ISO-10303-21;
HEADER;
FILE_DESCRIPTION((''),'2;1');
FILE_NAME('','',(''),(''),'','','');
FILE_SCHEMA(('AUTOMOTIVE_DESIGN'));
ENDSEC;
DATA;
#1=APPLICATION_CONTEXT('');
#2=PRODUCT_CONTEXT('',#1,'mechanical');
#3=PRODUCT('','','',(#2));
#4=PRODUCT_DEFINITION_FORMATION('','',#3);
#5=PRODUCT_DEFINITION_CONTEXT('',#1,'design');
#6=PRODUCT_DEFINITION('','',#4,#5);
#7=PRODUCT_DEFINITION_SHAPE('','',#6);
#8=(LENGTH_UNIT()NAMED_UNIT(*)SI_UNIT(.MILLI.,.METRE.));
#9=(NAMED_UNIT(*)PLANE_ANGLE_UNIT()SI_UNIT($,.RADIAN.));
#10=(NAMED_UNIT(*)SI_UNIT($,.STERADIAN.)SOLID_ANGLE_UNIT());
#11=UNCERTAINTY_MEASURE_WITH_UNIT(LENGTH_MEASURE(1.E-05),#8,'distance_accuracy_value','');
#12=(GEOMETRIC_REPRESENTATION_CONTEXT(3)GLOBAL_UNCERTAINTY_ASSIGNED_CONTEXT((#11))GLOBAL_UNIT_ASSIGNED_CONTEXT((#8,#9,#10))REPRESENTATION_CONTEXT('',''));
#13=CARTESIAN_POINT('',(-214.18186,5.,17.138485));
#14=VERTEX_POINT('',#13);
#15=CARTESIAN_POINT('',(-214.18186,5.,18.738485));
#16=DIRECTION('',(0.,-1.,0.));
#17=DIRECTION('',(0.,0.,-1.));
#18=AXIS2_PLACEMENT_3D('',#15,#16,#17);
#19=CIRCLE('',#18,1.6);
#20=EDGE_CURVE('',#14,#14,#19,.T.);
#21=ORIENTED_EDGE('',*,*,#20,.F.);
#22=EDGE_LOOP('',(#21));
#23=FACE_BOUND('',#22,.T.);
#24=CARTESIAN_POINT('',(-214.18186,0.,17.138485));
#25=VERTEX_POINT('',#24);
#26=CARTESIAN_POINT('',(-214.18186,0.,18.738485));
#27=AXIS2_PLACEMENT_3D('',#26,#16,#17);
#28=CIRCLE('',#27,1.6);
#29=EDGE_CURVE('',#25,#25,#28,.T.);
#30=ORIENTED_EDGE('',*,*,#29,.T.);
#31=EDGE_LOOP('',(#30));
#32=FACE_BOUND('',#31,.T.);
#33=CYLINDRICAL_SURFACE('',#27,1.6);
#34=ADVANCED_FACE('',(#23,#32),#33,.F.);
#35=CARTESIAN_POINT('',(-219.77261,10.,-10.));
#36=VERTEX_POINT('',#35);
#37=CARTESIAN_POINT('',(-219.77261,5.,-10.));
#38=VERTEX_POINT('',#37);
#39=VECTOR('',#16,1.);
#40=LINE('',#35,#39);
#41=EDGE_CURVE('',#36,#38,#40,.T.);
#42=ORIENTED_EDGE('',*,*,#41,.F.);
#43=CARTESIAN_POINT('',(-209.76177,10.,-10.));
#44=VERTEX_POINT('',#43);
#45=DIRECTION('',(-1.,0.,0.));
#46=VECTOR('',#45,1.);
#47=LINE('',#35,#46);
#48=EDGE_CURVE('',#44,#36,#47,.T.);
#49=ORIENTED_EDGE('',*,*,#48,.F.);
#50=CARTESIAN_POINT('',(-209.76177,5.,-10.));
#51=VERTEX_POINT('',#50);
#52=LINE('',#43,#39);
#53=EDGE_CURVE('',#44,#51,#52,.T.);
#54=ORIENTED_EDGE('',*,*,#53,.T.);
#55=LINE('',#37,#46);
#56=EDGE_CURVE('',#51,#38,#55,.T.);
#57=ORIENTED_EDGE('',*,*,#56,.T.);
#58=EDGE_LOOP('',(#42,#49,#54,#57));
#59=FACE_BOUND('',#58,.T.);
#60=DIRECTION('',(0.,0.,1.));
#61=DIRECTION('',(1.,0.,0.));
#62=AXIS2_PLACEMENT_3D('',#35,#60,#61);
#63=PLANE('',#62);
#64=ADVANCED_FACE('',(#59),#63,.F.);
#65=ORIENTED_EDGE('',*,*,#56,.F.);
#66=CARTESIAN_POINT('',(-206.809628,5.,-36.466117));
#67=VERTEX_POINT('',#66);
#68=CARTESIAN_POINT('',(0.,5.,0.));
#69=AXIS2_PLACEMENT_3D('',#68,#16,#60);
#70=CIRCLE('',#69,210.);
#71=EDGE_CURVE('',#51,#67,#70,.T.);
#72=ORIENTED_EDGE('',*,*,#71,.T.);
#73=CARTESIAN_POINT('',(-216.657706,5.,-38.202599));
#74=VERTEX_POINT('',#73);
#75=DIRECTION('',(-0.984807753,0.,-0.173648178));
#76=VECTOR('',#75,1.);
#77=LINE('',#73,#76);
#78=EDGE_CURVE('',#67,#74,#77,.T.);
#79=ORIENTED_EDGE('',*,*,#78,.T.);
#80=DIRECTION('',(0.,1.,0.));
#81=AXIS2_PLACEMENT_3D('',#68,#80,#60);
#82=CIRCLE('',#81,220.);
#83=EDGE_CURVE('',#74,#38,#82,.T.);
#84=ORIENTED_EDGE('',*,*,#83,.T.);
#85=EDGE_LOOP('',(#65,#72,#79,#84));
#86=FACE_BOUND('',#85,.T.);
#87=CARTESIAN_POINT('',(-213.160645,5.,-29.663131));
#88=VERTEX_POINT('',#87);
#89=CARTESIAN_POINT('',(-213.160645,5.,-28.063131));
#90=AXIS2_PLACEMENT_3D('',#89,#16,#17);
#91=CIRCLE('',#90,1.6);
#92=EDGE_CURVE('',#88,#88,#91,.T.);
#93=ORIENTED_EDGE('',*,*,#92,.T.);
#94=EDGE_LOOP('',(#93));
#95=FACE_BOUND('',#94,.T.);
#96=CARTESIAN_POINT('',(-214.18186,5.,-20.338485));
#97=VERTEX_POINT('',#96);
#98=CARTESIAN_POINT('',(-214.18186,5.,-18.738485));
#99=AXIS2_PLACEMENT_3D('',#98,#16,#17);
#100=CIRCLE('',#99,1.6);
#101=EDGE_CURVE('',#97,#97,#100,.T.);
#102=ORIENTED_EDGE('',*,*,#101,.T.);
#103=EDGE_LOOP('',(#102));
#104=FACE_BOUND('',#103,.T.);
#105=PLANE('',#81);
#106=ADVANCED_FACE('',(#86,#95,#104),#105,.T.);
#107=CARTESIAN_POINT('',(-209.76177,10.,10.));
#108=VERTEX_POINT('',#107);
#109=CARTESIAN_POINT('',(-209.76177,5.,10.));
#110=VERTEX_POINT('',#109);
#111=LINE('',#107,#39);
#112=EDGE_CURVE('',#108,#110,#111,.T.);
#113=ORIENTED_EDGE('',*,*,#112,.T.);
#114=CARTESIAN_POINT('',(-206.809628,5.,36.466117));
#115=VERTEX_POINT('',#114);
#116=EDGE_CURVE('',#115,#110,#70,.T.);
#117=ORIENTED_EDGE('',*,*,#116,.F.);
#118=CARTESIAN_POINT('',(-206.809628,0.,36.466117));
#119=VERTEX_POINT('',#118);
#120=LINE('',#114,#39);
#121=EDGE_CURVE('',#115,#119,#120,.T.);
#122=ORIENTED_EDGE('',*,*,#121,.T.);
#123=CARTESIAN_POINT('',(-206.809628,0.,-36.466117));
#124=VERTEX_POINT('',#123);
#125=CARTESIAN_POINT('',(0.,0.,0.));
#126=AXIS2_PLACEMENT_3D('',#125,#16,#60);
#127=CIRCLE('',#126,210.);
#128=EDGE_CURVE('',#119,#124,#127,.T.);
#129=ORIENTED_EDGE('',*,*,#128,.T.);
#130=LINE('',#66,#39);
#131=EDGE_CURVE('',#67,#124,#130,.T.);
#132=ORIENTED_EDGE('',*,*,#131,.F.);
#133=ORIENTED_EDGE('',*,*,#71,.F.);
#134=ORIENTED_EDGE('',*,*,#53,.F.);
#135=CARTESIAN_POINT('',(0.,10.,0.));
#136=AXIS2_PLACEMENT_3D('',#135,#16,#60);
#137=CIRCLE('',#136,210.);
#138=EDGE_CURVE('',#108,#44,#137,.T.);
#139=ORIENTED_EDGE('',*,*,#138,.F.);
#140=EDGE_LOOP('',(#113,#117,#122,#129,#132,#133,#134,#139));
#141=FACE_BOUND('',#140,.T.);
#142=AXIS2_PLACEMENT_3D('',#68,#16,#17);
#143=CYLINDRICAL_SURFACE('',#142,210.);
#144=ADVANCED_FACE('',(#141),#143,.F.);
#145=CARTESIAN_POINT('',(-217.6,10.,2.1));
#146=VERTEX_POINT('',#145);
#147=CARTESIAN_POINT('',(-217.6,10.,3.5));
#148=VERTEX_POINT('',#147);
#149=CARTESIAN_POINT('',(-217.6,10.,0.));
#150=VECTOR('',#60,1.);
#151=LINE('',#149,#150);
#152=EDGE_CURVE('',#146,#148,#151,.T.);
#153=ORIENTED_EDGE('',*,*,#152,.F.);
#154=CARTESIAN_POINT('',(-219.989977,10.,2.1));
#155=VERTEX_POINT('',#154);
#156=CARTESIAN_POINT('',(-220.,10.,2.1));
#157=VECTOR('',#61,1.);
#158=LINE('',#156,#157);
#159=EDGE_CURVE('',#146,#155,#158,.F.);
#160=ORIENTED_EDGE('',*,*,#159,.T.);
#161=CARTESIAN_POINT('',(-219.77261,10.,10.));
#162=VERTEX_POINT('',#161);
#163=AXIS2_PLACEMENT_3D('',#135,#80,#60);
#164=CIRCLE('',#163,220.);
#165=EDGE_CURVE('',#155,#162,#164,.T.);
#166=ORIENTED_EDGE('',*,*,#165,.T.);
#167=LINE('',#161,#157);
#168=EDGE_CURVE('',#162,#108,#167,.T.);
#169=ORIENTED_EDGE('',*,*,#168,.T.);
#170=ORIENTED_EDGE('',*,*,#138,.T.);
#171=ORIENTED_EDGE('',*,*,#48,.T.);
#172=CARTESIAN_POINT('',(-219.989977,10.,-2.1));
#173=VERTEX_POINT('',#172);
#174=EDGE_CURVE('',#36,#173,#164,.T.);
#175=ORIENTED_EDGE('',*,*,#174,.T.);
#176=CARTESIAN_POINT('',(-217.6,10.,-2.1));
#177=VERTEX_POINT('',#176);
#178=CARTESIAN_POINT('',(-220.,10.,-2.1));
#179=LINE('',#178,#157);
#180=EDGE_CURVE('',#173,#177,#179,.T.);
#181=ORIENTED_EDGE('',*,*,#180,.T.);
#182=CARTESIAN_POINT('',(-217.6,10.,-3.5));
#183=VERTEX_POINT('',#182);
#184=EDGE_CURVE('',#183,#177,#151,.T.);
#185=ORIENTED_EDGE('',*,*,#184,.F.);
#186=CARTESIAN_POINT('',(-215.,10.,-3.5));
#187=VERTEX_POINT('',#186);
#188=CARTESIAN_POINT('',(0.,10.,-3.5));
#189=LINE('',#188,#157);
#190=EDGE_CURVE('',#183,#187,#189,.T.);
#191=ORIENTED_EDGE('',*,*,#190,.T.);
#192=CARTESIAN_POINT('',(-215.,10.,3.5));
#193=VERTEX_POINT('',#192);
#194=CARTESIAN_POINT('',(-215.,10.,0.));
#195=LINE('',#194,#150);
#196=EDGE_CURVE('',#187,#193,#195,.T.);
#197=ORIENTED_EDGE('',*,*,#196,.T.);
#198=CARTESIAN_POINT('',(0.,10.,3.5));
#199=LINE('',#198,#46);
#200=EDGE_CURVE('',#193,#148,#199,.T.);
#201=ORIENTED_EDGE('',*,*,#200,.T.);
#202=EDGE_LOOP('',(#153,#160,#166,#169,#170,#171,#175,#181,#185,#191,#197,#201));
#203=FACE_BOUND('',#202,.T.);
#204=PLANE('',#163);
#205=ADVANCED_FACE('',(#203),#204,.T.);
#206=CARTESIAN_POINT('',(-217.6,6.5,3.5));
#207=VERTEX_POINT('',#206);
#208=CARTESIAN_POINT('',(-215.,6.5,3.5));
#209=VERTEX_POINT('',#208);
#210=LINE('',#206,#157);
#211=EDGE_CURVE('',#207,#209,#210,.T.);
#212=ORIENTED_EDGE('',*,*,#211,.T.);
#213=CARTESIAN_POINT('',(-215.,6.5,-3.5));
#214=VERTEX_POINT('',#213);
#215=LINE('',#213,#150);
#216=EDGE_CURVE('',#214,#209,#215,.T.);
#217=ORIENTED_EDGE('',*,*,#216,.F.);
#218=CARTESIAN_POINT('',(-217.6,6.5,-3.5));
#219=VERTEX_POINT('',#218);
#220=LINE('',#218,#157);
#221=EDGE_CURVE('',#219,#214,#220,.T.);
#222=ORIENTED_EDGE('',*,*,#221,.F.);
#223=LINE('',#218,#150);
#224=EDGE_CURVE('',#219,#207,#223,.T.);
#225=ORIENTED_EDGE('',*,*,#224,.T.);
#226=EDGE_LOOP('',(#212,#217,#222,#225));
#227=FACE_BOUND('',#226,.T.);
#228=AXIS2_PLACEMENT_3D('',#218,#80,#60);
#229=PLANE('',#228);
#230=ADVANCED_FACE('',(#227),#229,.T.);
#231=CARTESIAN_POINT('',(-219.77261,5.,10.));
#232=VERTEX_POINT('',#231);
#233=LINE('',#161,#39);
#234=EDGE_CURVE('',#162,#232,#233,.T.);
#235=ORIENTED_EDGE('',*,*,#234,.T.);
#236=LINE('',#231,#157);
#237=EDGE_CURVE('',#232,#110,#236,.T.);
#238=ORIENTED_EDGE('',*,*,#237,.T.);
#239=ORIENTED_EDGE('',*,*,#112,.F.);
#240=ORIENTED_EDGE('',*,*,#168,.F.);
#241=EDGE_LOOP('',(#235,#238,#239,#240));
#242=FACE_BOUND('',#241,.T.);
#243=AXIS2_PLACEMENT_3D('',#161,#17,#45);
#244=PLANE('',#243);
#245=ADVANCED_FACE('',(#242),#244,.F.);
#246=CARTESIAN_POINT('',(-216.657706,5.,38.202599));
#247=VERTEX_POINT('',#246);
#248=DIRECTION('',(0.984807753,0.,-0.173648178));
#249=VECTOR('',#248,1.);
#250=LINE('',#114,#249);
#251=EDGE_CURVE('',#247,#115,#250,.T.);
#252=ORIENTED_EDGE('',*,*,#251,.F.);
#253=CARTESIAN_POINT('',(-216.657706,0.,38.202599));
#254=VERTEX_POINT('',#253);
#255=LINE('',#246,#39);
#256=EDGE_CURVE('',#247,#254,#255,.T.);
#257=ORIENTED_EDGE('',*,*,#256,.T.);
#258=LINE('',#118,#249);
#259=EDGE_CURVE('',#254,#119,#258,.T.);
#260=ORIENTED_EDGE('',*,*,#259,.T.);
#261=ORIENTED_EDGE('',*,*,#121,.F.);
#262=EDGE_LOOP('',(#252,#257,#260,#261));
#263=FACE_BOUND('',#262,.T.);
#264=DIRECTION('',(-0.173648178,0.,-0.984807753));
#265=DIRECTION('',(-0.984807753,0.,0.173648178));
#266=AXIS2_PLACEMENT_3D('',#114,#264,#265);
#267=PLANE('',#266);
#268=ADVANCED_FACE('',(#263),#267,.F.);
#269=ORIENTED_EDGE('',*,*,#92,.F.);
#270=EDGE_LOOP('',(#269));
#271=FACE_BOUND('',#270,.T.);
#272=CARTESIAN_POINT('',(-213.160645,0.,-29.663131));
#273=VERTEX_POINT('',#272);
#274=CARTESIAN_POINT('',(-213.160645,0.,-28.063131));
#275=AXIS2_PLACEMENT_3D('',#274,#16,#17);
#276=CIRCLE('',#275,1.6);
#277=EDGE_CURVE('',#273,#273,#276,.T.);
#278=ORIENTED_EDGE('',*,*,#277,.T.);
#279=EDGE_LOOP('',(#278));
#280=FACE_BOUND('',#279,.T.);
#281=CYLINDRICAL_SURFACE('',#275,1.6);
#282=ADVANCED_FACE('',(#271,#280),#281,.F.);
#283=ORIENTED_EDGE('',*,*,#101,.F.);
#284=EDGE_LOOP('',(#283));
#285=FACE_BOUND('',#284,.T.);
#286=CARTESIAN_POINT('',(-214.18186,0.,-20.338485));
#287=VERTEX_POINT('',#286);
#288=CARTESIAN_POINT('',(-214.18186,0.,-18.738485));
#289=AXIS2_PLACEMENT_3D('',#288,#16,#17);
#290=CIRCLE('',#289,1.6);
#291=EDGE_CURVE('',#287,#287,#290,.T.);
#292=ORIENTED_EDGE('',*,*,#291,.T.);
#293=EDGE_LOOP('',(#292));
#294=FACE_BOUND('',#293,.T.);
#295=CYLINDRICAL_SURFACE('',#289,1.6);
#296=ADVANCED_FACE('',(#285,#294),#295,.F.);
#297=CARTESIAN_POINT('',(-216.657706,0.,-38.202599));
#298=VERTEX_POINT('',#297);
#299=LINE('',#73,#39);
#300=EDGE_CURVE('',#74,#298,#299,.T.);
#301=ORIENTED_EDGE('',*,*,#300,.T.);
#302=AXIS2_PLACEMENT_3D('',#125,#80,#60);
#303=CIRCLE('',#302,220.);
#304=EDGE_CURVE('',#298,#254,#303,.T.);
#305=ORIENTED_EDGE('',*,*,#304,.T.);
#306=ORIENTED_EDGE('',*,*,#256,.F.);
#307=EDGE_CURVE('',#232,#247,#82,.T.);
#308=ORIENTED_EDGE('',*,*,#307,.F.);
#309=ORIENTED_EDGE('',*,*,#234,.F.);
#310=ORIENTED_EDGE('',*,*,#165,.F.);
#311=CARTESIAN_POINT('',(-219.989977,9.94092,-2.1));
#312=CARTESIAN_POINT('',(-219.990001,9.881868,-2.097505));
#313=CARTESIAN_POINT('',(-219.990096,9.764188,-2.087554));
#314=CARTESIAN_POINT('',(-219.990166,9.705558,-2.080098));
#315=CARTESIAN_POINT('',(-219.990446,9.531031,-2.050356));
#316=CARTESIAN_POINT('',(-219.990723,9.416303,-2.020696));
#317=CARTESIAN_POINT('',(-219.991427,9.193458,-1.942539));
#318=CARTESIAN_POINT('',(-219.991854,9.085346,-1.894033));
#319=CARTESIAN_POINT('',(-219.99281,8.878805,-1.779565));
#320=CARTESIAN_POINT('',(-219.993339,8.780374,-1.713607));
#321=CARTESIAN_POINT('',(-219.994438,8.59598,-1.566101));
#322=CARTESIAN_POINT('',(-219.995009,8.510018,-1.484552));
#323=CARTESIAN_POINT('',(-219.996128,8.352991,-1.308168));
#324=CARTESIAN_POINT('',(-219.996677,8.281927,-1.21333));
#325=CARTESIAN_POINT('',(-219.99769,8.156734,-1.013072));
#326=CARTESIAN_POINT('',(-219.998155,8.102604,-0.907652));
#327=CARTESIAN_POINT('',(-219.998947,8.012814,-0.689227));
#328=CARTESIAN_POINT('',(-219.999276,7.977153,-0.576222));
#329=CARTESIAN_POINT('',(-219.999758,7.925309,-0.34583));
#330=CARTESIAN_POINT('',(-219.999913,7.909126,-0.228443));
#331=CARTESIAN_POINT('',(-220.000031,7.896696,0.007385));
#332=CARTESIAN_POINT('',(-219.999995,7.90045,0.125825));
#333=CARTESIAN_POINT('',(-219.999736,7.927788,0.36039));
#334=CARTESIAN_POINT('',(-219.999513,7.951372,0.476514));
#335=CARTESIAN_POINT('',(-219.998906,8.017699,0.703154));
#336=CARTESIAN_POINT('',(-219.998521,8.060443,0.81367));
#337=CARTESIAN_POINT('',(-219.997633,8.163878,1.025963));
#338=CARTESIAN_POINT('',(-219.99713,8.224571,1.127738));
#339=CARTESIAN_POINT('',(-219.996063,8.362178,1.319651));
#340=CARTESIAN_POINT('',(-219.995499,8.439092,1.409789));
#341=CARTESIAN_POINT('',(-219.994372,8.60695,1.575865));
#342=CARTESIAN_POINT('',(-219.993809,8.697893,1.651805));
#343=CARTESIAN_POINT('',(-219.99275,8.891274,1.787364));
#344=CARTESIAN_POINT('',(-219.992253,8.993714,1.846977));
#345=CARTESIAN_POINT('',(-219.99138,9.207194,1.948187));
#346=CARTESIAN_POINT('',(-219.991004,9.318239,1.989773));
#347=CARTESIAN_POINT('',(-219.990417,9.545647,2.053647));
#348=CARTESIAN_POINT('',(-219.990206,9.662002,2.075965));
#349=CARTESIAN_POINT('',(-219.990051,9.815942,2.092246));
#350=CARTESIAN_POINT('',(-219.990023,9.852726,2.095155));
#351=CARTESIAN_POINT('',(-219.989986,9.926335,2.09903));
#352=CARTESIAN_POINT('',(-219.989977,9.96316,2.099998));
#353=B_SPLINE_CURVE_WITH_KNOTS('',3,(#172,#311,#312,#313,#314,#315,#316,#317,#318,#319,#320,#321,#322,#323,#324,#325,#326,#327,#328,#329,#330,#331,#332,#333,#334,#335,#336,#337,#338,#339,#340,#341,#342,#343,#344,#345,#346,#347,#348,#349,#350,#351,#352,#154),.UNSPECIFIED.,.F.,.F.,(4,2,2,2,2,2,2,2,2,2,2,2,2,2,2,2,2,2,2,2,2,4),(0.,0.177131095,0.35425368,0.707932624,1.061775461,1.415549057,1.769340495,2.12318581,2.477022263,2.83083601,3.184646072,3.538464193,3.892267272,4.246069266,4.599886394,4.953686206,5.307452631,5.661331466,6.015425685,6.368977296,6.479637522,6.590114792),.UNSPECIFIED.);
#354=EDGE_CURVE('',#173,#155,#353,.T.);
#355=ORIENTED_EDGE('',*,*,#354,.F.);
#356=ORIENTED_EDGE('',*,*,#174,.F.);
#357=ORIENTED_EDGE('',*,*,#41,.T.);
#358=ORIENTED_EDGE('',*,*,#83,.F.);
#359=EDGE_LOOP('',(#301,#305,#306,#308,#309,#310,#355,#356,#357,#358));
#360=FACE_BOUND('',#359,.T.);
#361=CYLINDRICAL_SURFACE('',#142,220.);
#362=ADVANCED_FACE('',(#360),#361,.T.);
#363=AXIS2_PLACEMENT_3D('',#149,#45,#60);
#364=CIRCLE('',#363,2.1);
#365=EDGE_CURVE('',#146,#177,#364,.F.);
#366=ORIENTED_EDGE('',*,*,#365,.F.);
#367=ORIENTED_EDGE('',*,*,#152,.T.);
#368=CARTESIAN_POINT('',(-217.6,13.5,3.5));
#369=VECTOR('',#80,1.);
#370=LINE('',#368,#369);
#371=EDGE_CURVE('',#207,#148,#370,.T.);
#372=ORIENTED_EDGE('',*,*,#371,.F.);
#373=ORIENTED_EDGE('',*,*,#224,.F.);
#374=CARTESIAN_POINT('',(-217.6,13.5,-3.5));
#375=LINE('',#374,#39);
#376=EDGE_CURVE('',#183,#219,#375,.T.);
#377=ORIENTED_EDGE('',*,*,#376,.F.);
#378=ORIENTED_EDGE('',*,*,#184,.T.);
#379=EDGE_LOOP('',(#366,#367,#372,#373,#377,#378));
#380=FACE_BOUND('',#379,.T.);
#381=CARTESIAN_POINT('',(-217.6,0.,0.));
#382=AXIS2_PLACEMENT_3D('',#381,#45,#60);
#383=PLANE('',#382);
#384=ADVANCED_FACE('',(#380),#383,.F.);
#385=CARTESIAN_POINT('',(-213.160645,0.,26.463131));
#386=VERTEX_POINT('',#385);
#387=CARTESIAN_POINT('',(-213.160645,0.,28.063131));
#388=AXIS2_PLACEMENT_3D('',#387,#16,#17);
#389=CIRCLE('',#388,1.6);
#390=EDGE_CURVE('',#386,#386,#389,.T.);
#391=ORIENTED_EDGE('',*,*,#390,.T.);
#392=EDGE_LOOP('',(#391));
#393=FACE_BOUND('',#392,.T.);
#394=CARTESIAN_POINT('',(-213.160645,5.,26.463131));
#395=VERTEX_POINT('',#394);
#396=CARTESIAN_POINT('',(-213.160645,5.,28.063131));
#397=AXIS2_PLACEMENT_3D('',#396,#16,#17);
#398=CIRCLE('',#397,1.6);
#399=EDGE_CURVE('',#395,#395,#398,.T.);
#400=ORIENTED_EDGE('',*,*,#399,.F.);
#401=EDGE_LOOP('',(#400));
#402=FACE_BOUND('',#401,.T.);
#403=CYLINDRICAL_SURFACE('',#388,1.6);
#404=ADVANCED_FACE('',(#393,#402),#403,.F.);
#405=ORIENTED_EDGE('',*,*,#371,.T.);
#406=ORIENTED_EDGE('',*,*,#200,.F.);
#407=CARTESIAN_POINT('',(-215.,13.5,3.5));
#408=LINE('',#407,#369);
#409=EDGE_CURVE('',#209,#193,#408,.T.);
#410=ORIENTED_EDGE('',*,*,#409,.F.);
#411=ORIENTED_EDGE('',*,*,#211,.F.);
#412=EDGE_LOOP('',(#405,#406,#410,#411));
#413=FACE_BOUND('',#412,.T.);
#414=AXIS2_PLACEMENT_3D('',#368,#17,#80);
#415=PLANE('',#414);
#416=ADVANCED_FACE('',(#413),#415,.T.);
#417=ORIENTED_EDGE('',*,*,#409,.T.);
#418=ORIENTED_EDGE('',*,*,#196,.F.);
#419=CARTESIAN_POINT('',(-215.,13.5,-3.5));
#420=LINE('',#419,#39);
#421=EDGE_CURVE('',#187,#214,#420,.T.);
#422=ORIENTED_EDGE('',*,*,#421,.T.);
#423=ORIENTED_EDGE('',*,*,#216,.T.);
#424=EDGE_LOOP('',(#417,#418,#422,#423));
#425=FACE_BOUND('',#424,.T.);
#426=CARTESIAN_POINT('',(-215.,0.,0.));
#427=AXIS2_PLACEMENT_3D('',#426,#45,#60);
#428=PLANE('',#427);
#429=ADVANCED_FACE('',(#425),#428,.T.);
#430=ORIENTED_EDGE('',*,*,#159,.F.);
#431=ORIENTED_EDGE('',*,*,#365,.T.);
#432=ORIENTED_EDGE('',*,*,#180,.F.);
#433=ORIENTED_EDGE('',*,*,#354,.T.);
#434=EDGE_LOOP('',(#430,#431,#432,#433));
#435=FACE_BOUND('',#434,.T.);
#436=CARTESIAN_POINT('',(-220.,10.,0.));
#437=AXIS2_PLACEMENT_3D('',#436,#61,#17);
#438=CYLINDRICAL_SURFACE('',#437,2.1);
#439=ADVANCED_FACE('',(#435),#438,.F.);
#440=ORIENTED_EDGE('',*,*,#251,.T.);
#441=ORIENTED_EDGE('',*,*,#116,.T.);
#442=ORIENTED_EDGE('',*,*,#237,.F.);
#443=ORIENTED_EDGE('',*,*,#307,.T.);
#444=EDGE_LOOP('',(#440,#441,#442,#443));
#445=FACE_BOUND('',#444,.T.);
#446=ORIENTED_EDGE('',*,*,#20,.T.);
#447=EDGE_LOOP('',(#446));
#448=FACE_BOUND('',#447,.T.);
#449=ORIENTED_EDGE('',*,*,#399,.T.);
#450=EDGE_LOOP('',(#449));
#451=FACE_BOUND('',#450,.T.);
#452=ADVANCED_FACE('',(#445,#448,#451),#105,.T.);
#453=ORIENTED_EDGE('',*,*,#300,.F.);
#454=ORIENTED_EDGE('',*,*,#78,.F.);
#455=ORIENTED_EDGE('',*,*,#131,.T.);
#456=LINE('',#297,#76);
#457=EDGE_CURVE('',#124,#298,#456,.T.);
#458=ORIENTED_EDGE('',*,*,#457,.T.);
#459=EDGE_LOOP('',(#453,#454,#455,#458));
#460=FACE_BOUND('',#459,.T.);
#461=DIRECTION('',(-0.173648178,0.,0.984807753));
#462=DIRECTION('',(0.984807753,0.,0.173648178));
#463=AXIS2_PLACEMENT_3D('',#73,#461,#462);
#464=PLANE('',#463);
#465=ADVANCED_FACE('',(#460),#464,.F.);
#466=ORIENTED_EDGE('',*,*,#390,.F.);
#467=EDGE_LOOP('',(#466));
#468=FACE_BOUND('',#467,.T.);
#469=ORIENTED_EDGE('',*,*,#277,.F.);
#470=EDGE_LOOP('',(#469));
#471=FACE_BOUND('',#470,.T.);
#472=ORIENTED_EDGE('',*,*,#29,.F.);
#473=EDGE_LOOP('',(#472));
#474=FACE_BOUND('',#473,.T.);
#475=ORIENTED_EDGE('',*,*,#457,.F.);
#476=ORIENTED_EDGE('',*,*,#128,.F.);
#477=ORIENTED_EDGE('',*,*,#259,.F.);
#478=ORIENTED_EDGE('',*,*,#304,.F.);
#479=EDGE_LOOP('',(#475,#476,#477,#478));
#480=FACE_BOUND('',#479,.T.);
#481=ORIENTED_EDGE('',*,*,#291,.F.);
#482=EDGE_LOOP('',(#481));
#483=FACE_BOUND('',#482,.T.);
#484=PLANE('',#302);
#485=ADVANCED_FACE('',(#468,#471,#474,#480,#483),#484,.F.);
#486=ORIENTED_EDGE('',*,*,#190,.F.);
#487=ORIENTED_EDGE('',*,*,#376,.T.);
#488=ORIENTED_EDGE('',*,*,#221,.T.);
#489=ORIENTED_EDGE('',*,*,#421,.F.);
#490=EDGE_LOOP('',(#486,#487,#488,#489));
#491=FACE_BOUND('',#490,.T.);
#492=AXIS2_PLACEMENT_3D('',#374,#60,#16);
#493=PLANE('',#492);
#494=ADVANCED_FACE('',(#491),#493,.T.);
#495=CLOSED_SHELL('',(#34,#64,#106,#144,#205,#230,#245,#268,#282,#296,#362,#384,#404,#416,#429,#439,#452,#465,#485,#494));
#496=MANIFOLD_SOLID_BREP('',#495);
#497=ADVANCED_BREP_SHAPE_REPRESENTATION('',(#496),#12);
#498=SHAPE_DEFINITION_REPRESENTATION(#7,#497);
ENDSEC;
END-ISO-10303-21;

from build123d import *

# Parameters (mm, degrees)
BOSS_EXTRUDE1_DEPTH        = 5
F_3_2_3_2_DIAMETER_HOLE1_D = 3.2
BOSS_EXTRUDE2_DEPTH        = 5
SKETCH10_W                 = 7
SKETCH10_H                 = 7
CUT_EXTRUDE2_DEPTH         = 2.6
SKETCH11_R                 = 2.1
CUT_EXTRUDE3_DEPTH         = 41.33014714


with BuildPart() as part:
    # Sketch1 → Boss-Extrude1 (new body)
    with BuildSketch(Plane(origin=(0, 0, 0), x_dir=(1, 0, 0), z_dir=(0, 1, 0))):
        with BuildLine():
            Line((-216.657705663, 38.202599087), (-206.809628133, 36.46611731))
            ThreePointArc((-206.809628133, 36.46611731), (-210, 0), (-206.809628133, -36.46611731))
            Line((-206.809628133, -36.46611731), (-216.657705663, -38.202599087))
            ThreePointArc((-216.657705663, -38.202599087), (-220, 0), (-216.657705663, 38.202599087))
        make_face()
    extrude(amount=BOSS_EXTRUDE1_DEPTH)

    # Ø3.2 (3.2) Diameter Hole1 (through all)
    with Locations(Plane(origin=(0, 0, 0), x_dir=(-1, 0, 0), z_dir=(0, -1, 0))):
        with Locations((214.18186009, -18.738484691), (214.18186009, 18.738484691), (213.160645195, -28.063131327), (213.160645195, 28.063131327)):
            Hole(F_3_2_3_2_DIAMETER_HOLE1_D / 2)

    # Sketch9 → Boss-Extrude2 (add)
    with BuildSketch(Plane(origin=(0, 5, 0), x_dir=(1, 0, 0), z_dir=(0, 1, 0))):
        with BuildLine():
            Line((-219.772609758, 10), (-209.761769634, 10))
            ThreePointArc((-209.761769634, 10), (-210, 0), (-209.761769634, -10))
            Line((-209.761769634, -10), (-219.772609758, -10))
            ThreePointArc((-219.772609758, -10), (-220, 0), (-219.772609758, 10))
        make_face()
    extrude(amount=BOSS_EXTRUDE2_DEPTH)

    # Sketch10 → Cut-Extrude2 (cut)
    with BuildSketch(Plane.ZY.offset(215)):
        with Locations((0, 10)):
            Rectangle(SKETCH10_W, SKETCH10_H)
    extrude(amount=CUT_EXTRUDE2_DEPTH, mode=Mode.SUBTRACT)

    # Sketch11 → Cut-Extrude3 (cut, through all)
    with BuildSketch(Plane.ZY.offset(215)):
        with Locations((0, 10)):
            Circle(SKETCH11_R)
    extrude(amount=CUT_EXTRUDE3_DEPTH, mode=Mode.SUBTRACT)


solid = part.part
